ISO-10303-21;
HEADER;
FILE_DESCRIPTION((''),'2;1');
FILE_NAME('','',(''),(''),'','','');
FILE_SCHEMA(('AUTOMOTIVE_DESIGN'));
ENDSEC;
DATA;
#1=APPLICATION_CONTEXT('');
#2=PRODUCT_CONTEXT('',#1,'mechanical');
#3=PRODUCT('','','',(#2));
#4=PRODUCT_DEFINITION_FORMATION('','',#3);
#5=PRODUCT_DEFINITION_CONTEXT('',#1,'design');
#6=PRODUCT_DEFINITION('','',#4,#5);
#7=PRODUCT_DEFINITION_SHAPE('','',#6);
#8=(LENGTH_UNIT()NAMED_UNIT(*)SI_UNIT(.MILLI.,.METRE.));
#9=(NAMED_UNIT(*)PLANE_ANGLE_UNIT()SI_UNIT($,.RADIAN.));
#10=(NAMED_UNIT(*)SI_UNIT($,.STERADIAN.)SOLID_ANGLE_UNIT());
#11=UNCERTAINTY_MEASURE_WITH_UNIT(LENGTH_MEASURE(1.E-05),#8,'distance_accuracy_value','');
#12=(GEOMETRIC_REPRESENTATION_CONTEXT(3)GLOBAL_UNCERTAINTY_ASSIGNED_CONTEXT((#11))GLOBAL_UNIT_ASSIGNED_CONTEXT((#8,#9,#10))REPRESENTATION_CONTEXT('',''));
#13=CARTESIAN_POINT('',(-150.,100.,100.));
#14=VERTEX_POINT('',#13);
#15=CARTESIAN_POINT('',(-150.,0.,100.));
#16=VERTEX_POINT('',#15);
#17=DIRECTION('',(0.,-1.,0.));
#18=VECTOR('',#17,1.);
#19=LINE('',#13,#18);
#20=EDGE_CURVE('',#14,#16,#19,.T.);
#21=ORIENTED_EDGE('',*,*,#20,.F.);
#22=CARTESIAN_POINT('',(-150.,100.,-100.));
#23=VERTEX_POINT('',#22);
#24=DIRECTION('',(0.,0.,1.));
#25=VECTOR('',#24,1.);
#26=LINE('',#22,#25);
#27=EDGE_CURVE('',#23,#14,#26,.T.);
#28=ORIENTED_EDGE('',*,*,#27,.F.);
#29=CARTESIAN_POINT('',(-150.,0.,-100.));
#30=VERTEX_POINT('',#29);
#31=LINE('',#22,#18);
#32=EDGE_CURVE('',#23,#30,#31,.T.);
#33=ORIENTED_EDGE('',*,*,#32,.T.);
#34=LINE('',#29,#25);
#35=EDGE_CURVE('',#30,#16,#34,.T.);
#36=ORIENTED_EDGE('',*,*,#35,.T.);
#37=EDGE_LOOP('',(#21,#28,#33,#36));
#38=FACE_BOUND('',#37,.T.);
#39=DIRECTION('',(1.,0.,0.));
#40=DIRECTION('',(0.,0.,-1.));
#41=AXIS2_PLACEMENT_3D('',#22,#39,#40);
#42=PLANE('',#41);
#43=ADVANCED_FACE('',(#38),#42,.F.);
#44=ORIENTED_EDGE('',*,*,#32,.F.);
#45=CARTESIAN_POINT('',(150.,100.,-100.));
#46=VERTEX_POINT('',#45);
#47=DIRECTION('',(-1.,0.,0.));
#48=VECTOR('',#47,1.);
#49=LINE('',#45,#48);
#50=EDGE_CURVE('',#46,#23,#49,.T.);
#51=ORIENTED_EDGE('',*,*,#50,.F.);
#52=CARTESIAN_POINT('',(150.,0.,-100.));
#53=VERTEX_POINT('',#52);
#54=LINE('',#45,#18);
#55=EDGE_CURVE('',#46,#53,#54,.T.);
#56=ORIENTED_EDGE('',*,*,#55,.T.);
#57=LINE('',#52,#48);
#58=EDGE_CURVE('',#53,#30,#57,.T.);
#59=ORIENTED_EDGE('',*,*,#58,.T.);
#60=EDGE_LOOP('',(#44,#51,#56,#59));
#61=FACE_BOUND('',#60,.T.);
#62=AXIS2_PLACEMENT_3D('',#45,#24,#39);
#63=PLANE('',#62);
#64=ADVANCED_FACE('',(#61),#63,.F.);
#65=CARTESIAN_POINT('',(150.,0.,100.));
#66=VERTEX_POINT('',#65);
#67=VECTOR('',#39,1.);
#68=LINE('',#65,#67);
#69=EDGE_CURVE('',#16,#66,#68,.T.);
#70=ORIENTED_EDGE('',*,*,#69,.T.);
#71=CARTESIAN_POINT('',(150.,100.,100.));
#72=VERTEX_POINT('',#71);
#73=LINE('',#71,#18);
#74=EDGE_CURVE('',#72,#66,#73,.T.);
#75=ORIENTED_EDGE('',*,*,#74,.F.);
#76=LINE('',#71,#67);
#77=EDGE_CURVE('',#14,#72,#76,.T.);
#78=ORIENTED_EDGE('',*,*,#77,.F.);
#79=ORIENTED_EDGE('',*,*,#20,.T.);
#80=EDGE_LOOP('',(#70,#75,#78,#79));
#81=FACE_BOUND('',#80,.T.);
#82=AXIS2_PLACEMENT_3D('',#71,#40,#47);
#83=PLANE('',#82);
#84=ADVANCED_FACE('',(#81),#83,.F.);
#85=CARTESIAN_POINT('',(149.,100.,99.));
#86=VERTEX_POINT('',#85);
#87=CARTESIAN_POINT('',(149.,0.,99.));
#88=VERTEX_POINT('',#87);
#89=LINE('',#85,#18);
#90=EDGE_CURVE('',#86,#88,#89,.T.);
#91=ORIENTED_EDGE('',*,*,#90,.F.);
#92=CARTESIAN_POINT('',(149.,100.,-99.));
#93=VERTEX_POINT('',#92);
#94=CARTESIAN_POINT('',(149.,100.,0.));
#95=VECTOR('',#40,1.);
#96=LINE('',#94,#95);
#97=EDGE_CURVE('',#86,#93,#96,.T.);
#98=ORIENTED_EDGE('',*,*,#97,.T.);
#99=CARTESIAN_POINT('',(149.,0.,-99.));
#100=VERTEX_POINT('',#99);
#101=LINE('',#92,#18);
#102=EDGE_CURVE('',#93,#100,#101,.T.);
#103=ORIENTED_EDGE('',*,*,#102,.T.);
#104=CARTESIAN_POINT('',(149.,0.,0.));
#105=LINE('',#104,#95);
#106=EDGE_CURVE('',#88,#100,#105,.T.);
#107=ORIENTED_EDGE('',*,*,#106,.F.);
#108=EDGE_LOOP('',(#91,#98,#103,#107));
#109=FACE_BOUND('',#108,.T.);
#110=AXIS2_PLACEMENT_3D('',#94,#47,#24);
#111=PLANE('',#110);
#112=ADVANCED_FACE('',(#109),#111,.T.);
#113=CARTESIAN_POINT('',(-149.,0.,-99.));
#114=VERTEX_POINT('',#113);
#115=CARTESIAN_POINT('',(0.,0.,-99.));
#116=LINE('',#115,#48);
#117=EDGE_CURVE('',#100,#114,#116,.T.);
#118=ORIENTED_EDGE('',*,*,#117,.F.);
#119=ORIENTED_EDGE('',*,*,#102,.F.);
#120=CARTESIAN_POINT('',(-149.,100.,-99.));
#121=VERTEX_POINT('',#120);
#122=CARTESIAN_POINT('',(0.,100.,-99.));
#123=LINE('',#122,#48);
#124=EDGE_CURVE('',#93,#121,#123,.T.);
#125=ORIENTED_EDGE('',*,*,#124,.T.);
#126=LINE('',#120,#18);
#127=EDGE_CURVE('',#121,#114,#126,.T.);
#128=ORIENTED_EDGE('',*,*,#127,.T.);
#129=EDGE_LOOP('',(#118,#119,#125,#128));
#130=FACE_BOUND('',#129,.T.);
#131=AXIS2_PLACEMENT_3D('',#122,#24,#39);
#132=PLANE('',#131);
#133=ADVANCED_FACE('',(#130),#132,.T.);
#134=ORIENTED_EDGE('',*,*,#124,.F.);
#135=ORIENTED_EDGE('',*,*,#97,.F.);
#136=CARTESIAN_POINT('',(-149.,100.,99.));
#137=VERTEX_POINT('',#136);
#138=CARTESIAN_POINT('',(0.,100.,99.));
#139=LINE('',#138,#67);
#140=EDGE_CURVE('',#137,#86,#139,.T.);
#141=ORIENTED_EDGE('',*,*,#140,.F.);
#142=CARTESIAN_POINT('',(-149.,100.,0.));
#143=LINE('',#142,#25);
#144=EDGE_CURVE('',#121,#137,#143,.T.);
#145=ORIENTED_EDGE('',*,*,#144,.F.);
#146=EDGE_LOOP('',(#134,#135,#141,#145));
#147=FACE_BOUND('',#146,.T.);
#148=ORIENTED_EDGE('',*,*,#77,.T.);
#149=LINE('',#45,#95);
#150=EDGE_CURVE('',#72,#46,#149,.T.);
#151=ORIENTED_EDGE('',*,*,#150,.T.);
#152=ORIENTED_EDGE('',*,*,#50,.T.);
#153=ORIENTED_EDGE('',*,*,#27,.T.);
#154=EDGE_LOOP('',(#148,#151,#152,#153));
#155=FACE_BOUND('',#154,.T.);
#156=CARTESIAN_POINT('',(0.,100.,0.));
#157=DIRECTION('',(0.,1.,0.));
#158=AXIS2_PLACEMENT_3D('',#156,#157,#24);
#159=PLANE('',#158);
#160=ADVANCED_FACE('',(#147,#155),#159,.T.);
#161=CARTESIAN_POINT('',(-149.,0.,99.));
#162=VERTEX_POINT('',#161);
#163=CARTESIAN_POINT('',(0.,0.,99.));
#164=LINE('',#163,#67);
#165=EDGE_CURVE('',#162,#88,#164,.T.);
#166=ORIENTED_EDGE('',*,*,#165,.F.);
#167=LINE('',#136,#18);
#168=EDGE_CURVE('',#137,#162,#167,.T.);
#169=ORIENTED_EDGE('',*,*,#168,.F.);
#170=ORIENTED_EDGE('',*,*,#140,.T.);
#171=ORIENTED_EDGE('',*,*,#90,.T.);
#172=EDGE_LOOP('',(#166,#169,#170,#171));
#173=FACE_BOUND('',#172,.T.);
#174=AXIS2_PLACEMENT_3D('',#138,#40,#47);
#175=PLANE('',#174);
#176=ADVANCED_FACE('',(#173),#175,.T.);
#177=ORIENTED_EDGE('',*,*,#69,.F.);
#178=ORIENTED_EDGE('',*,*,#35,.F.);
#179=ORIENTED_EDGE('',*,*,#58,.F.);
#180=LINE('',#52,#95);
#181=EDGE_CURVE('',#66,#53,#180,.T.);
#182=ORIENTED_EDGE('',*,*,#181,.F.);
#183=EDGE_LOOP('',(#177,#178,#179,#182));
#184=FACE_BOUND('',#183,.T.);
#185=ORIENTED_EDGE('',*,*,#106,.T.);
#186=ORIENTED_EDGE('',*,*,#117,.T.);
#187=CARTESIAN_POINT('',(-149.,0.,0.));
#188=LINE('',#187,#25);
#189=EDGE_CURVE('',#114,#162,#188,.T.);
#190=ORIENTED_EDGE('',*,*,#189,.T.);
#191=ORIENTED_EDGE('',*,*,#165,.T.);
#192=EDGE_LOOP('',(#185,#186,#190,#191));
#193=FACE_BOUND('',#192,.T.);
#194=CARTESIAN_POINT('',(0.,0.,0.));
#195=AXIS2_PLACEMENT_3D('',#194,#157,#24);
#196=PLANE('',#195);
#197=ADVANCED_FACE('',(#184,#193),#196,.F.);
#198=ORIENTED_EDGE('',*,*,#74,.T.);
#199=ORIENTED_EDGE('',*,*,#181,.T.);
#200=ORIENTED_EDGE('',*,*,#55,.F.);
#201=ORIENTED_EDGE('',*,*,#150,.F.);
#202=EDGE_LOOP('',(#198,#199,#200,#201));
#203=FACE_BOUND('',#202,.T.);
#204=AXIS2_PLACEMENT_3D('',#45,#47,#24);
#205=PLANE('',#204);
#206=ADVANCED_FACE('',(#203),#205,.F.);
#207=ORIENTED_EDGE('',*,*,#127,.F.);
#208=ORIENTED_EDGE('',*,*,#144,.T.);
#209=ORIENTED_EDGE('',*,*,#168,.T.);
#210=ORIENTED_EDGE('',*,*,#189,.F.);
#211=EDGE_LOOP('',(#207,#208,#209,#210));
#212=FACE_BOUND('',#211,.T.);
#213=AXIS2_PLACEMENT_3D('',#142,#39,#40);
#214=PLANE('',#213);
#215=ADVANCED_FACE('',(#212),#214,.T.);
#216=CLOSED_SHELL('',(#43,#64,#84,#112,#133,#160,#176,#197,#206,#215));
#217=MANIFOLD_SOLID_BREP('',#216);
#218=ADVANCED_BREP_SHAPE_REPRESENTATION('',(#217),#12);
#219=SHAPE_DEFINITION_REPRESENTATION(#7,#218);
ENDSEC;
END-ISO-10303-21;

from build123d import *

# Parameters (mm, degrees)
SKETCH_1_W      = 300
SKETCH_1_H      = 200
SKETCH_1_W_2    = 298
SKETCH_1_H_2    = 198
EXTRUDE_1_DEPTH = 100


with BuildPart() as part:
    # Эскиз1 → Вытянуть-Тонкостенный1 (new body)
    with BuildSketch(Plane(origin=(0, 0, 0), x_dir=(1, 0, 0), z_dir=(0, 1, 0))):
        Rectangle(SKETCH_1_W, SKETCH_1_H)
        Rectangle(SKETCH_1_W_2, SKETCH_1_H_2, mode=Mode.SUBTRACT)
    extrude(amount=EXTRUDE_1_DEPTH)


solid = part.part
